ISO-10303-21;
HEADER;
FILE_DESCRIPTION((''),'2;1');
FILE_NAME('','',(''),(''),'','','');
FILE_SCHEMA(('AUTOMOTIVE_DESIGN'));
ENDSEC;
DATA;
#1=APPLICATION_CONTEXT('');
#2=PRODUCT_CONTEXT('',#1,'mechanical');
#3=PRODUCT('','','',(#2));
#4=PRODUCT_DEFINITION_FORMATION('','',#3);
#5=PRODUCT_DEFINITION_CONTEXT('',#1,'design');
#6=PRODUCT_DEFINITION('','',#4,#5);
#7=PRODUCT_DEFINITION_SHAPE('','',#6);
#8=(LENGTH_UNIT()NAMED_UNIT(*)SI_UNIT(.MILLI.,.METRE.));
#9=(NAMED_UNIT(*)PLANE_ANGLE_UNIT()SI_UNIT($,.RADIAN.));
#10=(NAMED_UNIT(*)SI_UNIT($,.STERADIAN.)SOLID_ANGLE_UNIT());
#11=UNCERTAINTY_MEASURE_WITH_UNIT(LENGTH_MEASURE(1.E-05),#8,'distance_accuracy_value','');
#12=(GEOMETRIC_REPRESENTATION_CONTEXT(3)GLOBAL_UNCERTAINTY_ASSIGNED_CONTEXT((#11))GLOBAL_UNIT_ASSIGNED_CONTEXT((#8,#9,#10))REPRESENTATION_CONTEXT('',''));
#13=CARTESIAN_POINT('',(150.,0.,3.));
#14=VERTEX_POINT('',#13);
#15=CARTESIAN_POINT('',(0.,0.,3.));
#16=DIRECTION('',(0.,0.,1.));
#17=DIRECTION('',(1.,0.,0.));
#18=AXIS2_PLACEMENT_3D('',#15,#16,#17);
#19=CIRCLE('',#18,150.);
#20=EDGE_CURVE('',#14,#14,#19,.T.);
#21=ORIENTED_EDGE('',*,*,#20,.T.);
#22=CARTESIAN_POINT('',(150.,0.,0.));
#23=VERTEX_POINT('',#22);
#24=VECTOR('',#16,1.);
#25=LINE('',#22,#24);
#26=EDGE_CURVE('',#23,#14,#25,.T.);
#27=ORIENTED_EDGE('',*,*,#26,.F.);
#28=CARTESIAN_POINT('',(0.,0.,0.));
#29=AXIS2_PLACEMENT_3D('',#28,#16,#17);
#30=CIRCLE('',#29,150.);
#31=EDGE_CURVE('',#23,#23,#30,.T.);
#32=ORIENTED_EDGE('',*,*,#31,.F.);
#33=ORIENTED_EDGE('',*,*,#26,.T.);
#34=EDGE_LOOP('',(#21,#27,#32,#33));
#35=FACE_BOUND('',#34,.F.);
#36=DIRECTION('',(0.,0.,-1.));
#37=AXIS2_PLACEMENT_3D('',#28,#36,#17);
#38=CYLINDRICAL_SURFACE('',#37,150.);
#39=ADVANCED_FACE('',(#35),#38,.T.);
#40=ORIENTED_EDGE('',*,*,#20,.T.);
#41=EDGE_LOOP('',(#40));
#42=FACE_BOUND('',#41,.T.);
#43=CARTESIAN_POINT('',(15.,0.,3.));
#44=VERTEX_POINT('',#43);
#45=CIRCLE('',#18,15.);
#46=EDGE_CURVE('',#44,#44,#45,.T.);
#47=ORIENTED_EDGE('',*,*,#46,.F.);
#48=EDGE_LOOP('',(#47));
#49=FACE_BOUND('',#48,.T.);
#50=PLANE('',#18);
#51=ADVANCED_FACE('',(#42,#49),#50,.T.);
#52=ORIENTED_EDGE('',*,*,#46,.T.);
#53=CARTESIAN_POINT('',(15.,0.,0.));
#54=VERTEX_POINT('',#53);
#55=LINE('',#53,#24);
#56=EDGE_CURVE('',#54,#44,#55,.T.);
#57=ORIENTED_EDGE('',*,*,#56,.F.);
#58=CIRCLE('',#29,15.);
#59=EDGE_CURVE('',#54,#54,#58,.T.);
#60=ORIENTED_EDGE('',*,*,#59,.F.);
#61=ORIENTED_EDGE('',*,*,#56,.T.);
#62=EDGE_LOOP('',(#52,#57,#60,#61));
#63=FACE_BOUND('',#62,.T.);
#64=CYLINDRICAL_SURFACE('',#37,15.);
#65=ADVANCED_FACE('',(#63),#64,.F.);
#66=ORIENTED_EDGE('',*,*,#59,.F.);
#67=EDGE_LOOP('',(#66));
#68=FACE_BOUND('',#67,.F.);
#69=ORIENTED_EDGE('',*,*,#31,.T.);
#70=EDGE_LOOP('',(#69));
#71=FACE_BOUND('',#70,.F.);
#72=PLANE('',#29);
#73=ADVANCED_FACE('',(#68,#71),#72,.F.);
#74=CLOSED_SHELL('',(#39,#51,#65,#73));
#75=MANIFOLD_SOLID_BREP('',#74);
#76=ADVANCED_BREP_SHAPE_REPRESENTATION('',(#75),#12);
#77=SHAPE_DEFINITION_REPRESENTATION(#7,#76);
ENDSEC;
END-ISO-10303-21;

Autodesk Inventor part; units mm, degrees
ref_plane "YZ Plane" through (0, 0, 0) normal (1, 0, 0) x (0, 1, 0)
ref_plane "XZ Plane" through (0, 0, 0) normal (0, 1, 0) x (-1, 0, 0)
ref_plane "XY Plane" through (0, 0, 0) normal (0, 0, 1) x (1, 0, 0)
sketch "Schizzo1" plane through (0, 0, 0) normal (0, 0, 1) x (1, 0, 0)
  circle A0 centre (0, 0) radius 150
  circle A1 centre (0, 0) radius 15
  dimension "d0" = 300
  dimension "d3" = 30
extrude "Estrusione2" add sketch "Schizzo1" along normal blind 3
properties part number "Sega Circolare 300 mm" material "Acciaio inossidabile"
